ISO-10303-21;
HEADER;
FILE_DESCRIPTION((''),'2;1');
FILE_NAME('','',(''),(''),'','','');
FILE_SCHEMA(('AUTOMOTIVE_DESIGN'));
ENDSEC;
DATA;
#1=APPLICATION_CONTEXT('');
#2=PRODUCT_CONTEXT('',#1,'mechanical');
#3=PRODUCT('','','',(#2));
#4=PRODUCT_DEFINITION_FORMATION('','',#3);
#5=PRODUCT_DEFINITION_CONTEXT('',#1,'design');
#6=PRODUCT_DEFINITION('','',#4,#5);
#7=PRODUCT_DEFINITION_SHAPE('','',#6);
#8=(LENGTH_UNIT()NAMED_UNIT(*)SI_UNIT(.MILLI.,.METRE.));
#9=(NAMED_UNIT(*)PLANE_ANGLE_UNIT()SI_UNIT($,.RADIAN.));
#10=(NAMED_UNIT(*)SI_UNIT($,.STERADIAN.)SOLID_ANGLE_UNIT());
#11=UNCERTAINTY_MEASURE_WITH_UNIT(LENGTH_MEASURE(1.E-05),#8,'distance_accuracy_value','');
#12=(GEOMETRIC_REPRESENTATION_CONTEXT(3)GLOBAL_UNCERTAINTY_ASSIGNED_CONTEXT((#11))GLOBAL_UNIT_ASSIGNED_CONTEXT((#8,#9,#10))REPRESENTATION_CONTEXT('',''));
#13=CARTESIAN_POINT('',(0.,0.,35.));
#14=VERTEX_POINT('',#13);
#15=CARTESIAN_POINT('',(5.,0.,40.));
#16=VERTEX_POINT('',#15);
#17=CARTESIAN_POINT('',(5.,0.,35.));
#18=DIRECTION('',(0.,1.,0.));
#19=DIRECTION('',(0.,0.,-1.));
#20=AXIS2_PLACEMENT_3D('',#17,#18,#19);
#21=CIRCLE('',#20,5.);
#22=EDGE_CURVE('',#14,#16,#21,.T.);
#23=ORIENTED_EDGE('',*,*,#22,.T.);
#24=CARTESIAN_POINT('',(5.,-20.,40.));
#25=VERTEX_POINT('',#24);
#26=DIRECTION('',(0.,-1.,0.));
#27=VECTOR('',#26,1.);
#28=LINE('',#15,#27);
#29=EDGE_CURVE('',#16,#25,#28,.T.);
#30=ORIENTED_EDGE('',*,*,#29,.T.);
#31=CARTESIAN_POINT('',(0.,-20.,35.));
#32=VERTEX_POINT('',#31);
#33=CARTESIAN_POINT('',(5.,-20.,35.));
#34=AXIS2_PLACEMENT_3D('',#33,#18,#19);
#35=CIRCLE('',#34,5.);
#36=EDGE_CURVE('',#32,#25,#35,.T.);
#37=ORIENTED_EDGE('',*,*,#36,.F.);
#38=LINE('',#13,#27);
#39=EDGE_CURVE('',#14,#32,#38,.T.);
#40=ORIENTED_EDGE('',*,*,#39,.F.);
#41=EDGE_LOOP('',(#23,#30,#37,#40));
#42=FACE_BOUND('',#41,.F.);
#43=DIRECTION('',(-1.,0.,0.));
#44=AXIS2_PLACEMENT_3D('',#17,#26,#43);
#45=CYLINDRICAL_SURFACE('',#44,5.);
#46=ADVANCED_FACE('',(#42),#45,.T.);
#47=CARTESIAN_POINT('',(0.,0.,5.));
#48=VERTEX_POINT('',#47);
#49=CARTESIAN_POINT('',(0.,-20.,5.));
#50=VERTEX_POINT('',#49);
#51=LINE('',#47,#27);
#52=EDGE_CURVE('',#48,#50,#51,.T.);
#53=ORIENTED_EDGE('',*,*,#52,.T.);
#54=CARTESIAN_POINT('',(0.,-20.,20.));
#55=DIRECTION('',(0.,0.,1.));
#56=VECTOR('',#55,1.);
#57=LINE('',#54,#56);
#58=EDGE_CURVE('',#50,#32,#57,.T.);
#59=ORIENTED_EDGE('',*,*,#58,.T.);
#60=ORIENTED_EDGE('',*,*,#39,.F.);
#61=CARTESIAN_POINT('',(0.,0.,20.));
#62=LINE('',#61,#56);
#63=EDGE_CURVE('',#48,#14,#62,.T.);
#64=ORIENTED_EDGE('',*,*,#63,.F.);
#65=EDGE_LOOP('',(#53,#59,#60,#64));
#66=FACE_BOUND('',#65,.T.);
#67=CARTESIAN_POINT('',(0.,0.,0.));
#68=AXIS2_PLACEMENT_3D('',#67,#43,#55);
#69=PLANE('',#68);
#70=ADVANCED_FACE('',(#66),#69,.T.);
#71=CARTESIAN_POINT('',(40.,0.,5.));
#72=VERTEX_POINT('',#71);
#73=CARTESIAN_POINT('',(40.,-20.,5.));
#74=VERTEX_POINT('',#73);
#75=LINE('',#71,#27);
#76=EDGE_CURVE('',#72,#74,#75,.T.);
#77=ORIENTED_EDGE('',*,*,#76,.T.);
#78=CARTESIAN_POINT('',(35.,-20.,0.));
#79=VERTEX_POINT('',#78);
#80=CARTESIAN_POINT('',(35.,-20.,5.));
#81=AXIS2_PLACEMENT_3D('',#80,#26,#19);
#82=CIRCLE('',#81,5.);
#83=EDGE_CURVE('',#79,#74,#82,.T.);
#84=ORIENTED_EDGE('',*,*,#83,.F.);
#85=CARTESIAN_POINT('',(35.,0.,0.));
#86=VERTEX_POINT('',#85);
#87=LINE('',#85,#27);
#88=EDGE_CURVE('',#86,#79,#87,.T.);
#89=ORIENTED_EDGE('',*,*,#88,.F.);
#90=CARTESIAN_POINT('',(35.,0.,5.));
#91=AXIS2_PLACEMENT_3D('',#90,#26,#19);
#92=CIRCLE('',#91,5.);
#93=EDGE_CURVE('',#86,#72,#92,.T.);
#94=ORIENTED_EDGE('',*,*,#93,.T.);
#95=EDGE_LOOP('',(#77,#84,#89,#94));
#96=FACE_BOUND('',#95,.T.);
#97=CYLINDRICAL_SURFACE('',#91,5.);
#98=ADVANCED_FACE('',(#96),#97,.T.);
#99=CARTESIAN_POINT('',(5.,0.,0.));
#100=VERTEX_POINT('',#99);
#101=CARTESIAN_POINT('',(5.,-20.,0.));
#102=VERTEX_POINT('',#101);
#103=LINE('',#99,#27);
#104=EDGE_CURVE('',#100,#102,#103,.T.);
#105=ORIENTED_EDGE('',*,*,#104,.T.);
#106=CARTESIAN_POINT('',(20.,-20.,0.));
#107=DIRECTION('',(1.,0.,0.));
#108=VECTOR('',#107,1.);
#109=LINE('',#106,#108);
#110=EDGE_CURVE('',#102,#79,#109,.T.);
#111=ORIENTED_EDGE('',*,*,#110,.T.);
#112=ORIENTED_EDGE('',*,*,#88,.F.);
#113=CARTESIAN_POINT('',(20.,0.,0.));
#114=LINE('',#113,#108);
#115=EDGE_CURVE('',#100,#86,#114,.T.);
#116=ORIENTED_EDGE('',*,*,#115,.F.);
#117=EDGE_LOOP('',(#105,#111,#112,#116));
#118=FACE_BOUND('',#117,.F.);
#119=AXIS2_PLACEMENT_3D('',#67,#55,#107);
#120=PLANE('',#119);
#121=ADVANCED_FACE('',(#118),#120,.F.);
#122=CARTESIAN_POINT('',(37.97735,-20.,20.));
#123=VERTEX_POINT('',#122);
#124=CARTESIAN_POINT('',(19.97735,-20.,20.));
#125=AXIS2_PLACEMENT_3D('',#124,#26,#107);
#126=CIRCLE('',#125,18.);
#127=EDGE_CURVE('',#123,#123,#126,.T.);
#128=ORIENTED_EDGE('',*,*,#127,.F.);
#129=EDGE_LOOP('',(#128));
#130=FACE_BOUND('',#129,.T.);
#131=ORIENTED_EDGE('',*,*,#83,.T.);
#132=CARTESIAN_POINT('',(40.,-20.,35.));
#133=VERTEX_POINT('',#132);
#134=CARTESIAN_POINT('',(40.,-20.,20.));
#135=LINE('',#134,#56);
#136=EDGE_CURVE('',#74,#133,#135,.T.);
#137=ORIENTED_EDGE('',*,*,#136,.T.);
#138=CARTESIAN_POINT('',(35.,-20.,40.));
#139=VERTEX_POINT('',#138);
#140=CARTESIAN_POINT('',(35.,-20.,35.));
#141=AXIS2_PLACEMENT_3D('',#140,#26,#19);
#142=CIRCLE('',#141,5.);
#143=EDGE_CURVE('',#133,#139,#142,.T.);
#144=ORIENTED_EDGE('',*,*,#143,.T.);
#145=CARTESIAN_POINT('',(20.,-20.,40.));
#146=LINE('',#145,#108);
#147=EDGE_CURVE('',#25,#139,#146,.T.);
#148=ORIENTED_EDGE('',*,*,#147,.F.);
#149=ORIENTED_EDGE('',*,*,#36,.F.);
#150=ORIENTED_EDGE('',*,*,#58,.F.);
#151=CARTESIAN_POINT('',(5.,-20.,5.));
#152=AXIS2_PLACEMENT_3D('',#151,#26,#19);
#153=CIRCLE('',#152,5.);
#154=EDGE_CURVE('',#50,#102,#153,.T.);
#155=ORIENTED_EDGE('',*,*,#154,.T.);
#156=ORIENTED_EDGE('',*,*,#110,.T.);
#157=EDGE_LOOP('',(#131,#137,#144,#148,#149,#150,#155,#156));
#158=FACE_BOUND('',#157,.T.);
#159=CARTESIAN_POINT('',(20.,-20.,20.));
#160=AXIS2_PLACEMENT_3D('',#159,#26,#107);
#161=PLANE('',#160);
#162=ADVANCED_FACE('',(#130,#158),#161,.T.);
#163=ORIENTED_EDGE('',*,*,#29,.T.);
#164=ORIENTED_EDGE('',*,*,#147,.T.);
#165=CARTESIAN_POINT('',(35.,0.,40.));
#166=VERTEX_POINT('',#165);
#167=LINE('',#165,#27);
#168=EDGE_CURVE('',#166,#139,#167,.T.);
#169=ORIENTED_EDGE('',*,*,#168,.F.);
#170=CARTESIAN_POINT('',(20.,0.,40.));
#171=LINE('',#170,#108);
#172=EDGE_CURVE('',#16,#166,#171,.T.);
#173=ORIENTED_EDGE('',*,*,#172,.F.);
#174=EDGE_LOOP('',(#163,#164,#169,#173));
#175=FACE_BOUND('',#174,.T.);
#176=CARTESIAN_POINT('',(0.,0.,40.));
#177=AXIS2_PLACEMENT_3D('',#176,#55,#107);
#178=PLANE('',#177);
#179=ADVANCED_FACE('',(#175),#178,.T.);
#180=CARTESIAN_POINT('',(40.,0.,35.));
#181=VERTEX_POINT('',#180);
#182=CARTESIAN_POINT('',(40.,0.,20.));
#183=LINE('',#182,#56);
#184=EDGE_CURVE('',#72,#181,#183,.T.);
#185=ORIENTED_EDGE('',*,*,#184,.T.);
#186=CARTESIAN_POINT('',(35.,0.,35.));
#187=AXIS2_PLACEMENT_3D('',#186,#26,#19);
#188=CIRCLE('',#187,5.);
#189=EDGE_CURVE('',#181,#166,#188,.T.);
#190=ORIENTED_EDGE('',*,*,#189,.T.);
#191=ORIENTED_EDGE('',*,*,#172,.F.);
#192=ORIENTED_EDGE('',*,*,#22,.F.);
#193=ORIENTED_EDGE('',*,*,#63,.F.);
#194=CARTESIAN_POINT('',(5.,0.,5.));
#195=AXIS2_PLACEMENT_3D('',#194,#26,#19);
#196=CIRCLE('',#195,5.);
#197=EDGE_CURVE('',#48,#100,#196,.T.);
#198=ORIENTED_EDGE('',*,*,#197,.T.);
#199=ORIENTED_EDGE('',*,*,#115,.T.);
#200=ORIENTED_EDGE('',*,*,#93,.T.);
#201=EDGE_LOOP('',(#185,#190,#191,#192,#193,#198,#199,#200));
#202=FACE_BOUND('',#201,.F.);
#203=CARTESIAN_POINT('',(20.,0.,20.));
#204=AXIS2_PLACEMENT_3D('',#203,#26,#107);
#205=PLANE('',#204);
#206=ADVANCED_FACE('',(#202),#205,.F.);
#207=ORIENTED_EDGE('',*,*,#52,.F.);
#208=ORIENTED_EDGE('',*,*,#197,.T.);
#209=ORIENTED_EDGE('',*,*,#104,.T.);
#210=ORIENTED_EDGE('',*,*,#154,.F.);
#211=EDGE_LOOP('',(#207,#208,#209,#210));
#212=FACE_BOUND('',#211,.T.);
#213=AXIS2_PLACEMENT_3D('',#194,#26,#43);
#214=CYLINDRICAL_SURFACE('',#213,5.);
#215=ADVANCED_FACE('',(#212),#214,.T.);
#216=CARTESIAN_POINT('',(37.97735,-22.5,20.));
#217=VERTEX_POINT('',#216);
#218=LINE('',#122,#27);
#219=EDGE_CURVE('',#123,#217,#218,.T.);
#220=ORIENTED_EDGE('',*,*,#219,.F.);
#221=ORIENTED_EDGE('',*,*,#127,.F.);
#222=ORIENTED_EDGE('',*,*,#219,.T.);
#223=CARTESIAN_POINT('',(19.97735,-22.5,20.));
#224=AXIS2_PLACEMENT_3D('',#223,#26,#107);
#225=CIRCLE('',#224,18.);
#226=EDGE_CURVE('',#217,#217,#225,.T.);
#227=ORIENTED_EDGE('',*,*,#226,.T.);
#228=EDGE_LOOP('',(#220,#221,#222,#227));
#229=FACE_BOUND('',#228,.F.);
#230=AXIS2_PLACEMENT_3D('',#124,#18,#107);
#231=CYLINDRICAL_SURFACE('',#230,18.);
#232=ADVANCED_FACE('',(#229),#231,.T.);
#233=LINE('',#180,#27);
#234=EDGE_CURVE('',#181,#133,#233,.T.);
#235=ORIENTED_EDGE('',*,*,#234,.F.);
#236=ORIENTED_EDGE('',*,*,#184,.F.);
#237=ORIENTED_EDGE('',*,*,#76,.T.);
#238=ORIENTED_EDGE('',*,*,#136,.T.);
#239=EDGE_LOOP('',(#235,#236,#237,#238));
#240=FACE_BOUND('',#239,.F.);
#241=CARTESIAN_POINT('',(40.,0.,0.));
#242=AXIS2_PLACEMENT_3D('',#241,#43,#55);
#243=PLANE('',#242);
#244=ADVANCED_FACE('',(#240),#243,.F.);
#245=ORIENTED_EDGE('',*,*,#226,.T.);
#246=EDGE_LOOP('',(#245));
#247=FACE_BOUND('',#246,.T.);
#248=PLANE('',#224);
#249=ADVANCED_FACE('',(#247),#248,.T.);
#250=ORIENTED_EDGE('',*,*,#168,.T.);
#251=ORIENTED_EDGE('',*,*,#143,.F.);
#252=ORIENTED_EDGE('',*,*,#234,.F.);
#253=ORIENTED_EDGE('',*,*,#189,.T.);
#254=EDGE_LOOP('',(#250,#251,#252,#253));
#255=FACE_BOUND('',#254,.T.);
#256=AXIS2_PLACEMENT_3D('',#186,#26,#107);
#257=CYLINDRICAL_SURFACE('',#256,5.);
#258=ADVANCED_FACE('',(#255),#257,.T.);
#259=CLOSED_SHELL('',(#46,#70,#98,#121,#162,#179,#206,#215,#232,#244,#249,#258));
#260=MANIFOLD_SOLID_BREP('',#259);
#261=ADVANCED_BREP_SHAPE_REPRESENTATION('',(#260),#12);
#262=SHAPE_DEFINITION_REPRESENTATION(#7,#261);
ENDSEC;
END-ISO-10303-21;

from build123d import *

# Parameters (mm, degrees)
F0_W     = 40
F0_H     = 40
F1_DEPTH = 20
F2_R     = 5
F3_R     = 18
F4_DEPTH = 2.5


with BuildPart() as f1:
    # F0 (on Front) → F1 (new body)
    with BuildSketch(Plane.XZ):
        with Locations((20, 20)):
            Rectangle(F0_W, F0_H)
    extrude(amount=F1_DEPTH)

    # F2
    f2_edges = [f1.edges().sort_by_distance(p)[0] for p in [
        (0, -10, 40),
        (40, -10, 40),
        (0, -10, 0),
        (40, -10, 0),
    ]]
    fillet(f2_edges, radius=F2_R)

    # F3 (on face) → F4 (join)
    with BuildSketch(Plane.XZ.offset(20)):
        with Locations((19.97735, 20)):
            Circle(F3_R)
    extrude(amount=F4_DEPTH)


solid = f1.part
